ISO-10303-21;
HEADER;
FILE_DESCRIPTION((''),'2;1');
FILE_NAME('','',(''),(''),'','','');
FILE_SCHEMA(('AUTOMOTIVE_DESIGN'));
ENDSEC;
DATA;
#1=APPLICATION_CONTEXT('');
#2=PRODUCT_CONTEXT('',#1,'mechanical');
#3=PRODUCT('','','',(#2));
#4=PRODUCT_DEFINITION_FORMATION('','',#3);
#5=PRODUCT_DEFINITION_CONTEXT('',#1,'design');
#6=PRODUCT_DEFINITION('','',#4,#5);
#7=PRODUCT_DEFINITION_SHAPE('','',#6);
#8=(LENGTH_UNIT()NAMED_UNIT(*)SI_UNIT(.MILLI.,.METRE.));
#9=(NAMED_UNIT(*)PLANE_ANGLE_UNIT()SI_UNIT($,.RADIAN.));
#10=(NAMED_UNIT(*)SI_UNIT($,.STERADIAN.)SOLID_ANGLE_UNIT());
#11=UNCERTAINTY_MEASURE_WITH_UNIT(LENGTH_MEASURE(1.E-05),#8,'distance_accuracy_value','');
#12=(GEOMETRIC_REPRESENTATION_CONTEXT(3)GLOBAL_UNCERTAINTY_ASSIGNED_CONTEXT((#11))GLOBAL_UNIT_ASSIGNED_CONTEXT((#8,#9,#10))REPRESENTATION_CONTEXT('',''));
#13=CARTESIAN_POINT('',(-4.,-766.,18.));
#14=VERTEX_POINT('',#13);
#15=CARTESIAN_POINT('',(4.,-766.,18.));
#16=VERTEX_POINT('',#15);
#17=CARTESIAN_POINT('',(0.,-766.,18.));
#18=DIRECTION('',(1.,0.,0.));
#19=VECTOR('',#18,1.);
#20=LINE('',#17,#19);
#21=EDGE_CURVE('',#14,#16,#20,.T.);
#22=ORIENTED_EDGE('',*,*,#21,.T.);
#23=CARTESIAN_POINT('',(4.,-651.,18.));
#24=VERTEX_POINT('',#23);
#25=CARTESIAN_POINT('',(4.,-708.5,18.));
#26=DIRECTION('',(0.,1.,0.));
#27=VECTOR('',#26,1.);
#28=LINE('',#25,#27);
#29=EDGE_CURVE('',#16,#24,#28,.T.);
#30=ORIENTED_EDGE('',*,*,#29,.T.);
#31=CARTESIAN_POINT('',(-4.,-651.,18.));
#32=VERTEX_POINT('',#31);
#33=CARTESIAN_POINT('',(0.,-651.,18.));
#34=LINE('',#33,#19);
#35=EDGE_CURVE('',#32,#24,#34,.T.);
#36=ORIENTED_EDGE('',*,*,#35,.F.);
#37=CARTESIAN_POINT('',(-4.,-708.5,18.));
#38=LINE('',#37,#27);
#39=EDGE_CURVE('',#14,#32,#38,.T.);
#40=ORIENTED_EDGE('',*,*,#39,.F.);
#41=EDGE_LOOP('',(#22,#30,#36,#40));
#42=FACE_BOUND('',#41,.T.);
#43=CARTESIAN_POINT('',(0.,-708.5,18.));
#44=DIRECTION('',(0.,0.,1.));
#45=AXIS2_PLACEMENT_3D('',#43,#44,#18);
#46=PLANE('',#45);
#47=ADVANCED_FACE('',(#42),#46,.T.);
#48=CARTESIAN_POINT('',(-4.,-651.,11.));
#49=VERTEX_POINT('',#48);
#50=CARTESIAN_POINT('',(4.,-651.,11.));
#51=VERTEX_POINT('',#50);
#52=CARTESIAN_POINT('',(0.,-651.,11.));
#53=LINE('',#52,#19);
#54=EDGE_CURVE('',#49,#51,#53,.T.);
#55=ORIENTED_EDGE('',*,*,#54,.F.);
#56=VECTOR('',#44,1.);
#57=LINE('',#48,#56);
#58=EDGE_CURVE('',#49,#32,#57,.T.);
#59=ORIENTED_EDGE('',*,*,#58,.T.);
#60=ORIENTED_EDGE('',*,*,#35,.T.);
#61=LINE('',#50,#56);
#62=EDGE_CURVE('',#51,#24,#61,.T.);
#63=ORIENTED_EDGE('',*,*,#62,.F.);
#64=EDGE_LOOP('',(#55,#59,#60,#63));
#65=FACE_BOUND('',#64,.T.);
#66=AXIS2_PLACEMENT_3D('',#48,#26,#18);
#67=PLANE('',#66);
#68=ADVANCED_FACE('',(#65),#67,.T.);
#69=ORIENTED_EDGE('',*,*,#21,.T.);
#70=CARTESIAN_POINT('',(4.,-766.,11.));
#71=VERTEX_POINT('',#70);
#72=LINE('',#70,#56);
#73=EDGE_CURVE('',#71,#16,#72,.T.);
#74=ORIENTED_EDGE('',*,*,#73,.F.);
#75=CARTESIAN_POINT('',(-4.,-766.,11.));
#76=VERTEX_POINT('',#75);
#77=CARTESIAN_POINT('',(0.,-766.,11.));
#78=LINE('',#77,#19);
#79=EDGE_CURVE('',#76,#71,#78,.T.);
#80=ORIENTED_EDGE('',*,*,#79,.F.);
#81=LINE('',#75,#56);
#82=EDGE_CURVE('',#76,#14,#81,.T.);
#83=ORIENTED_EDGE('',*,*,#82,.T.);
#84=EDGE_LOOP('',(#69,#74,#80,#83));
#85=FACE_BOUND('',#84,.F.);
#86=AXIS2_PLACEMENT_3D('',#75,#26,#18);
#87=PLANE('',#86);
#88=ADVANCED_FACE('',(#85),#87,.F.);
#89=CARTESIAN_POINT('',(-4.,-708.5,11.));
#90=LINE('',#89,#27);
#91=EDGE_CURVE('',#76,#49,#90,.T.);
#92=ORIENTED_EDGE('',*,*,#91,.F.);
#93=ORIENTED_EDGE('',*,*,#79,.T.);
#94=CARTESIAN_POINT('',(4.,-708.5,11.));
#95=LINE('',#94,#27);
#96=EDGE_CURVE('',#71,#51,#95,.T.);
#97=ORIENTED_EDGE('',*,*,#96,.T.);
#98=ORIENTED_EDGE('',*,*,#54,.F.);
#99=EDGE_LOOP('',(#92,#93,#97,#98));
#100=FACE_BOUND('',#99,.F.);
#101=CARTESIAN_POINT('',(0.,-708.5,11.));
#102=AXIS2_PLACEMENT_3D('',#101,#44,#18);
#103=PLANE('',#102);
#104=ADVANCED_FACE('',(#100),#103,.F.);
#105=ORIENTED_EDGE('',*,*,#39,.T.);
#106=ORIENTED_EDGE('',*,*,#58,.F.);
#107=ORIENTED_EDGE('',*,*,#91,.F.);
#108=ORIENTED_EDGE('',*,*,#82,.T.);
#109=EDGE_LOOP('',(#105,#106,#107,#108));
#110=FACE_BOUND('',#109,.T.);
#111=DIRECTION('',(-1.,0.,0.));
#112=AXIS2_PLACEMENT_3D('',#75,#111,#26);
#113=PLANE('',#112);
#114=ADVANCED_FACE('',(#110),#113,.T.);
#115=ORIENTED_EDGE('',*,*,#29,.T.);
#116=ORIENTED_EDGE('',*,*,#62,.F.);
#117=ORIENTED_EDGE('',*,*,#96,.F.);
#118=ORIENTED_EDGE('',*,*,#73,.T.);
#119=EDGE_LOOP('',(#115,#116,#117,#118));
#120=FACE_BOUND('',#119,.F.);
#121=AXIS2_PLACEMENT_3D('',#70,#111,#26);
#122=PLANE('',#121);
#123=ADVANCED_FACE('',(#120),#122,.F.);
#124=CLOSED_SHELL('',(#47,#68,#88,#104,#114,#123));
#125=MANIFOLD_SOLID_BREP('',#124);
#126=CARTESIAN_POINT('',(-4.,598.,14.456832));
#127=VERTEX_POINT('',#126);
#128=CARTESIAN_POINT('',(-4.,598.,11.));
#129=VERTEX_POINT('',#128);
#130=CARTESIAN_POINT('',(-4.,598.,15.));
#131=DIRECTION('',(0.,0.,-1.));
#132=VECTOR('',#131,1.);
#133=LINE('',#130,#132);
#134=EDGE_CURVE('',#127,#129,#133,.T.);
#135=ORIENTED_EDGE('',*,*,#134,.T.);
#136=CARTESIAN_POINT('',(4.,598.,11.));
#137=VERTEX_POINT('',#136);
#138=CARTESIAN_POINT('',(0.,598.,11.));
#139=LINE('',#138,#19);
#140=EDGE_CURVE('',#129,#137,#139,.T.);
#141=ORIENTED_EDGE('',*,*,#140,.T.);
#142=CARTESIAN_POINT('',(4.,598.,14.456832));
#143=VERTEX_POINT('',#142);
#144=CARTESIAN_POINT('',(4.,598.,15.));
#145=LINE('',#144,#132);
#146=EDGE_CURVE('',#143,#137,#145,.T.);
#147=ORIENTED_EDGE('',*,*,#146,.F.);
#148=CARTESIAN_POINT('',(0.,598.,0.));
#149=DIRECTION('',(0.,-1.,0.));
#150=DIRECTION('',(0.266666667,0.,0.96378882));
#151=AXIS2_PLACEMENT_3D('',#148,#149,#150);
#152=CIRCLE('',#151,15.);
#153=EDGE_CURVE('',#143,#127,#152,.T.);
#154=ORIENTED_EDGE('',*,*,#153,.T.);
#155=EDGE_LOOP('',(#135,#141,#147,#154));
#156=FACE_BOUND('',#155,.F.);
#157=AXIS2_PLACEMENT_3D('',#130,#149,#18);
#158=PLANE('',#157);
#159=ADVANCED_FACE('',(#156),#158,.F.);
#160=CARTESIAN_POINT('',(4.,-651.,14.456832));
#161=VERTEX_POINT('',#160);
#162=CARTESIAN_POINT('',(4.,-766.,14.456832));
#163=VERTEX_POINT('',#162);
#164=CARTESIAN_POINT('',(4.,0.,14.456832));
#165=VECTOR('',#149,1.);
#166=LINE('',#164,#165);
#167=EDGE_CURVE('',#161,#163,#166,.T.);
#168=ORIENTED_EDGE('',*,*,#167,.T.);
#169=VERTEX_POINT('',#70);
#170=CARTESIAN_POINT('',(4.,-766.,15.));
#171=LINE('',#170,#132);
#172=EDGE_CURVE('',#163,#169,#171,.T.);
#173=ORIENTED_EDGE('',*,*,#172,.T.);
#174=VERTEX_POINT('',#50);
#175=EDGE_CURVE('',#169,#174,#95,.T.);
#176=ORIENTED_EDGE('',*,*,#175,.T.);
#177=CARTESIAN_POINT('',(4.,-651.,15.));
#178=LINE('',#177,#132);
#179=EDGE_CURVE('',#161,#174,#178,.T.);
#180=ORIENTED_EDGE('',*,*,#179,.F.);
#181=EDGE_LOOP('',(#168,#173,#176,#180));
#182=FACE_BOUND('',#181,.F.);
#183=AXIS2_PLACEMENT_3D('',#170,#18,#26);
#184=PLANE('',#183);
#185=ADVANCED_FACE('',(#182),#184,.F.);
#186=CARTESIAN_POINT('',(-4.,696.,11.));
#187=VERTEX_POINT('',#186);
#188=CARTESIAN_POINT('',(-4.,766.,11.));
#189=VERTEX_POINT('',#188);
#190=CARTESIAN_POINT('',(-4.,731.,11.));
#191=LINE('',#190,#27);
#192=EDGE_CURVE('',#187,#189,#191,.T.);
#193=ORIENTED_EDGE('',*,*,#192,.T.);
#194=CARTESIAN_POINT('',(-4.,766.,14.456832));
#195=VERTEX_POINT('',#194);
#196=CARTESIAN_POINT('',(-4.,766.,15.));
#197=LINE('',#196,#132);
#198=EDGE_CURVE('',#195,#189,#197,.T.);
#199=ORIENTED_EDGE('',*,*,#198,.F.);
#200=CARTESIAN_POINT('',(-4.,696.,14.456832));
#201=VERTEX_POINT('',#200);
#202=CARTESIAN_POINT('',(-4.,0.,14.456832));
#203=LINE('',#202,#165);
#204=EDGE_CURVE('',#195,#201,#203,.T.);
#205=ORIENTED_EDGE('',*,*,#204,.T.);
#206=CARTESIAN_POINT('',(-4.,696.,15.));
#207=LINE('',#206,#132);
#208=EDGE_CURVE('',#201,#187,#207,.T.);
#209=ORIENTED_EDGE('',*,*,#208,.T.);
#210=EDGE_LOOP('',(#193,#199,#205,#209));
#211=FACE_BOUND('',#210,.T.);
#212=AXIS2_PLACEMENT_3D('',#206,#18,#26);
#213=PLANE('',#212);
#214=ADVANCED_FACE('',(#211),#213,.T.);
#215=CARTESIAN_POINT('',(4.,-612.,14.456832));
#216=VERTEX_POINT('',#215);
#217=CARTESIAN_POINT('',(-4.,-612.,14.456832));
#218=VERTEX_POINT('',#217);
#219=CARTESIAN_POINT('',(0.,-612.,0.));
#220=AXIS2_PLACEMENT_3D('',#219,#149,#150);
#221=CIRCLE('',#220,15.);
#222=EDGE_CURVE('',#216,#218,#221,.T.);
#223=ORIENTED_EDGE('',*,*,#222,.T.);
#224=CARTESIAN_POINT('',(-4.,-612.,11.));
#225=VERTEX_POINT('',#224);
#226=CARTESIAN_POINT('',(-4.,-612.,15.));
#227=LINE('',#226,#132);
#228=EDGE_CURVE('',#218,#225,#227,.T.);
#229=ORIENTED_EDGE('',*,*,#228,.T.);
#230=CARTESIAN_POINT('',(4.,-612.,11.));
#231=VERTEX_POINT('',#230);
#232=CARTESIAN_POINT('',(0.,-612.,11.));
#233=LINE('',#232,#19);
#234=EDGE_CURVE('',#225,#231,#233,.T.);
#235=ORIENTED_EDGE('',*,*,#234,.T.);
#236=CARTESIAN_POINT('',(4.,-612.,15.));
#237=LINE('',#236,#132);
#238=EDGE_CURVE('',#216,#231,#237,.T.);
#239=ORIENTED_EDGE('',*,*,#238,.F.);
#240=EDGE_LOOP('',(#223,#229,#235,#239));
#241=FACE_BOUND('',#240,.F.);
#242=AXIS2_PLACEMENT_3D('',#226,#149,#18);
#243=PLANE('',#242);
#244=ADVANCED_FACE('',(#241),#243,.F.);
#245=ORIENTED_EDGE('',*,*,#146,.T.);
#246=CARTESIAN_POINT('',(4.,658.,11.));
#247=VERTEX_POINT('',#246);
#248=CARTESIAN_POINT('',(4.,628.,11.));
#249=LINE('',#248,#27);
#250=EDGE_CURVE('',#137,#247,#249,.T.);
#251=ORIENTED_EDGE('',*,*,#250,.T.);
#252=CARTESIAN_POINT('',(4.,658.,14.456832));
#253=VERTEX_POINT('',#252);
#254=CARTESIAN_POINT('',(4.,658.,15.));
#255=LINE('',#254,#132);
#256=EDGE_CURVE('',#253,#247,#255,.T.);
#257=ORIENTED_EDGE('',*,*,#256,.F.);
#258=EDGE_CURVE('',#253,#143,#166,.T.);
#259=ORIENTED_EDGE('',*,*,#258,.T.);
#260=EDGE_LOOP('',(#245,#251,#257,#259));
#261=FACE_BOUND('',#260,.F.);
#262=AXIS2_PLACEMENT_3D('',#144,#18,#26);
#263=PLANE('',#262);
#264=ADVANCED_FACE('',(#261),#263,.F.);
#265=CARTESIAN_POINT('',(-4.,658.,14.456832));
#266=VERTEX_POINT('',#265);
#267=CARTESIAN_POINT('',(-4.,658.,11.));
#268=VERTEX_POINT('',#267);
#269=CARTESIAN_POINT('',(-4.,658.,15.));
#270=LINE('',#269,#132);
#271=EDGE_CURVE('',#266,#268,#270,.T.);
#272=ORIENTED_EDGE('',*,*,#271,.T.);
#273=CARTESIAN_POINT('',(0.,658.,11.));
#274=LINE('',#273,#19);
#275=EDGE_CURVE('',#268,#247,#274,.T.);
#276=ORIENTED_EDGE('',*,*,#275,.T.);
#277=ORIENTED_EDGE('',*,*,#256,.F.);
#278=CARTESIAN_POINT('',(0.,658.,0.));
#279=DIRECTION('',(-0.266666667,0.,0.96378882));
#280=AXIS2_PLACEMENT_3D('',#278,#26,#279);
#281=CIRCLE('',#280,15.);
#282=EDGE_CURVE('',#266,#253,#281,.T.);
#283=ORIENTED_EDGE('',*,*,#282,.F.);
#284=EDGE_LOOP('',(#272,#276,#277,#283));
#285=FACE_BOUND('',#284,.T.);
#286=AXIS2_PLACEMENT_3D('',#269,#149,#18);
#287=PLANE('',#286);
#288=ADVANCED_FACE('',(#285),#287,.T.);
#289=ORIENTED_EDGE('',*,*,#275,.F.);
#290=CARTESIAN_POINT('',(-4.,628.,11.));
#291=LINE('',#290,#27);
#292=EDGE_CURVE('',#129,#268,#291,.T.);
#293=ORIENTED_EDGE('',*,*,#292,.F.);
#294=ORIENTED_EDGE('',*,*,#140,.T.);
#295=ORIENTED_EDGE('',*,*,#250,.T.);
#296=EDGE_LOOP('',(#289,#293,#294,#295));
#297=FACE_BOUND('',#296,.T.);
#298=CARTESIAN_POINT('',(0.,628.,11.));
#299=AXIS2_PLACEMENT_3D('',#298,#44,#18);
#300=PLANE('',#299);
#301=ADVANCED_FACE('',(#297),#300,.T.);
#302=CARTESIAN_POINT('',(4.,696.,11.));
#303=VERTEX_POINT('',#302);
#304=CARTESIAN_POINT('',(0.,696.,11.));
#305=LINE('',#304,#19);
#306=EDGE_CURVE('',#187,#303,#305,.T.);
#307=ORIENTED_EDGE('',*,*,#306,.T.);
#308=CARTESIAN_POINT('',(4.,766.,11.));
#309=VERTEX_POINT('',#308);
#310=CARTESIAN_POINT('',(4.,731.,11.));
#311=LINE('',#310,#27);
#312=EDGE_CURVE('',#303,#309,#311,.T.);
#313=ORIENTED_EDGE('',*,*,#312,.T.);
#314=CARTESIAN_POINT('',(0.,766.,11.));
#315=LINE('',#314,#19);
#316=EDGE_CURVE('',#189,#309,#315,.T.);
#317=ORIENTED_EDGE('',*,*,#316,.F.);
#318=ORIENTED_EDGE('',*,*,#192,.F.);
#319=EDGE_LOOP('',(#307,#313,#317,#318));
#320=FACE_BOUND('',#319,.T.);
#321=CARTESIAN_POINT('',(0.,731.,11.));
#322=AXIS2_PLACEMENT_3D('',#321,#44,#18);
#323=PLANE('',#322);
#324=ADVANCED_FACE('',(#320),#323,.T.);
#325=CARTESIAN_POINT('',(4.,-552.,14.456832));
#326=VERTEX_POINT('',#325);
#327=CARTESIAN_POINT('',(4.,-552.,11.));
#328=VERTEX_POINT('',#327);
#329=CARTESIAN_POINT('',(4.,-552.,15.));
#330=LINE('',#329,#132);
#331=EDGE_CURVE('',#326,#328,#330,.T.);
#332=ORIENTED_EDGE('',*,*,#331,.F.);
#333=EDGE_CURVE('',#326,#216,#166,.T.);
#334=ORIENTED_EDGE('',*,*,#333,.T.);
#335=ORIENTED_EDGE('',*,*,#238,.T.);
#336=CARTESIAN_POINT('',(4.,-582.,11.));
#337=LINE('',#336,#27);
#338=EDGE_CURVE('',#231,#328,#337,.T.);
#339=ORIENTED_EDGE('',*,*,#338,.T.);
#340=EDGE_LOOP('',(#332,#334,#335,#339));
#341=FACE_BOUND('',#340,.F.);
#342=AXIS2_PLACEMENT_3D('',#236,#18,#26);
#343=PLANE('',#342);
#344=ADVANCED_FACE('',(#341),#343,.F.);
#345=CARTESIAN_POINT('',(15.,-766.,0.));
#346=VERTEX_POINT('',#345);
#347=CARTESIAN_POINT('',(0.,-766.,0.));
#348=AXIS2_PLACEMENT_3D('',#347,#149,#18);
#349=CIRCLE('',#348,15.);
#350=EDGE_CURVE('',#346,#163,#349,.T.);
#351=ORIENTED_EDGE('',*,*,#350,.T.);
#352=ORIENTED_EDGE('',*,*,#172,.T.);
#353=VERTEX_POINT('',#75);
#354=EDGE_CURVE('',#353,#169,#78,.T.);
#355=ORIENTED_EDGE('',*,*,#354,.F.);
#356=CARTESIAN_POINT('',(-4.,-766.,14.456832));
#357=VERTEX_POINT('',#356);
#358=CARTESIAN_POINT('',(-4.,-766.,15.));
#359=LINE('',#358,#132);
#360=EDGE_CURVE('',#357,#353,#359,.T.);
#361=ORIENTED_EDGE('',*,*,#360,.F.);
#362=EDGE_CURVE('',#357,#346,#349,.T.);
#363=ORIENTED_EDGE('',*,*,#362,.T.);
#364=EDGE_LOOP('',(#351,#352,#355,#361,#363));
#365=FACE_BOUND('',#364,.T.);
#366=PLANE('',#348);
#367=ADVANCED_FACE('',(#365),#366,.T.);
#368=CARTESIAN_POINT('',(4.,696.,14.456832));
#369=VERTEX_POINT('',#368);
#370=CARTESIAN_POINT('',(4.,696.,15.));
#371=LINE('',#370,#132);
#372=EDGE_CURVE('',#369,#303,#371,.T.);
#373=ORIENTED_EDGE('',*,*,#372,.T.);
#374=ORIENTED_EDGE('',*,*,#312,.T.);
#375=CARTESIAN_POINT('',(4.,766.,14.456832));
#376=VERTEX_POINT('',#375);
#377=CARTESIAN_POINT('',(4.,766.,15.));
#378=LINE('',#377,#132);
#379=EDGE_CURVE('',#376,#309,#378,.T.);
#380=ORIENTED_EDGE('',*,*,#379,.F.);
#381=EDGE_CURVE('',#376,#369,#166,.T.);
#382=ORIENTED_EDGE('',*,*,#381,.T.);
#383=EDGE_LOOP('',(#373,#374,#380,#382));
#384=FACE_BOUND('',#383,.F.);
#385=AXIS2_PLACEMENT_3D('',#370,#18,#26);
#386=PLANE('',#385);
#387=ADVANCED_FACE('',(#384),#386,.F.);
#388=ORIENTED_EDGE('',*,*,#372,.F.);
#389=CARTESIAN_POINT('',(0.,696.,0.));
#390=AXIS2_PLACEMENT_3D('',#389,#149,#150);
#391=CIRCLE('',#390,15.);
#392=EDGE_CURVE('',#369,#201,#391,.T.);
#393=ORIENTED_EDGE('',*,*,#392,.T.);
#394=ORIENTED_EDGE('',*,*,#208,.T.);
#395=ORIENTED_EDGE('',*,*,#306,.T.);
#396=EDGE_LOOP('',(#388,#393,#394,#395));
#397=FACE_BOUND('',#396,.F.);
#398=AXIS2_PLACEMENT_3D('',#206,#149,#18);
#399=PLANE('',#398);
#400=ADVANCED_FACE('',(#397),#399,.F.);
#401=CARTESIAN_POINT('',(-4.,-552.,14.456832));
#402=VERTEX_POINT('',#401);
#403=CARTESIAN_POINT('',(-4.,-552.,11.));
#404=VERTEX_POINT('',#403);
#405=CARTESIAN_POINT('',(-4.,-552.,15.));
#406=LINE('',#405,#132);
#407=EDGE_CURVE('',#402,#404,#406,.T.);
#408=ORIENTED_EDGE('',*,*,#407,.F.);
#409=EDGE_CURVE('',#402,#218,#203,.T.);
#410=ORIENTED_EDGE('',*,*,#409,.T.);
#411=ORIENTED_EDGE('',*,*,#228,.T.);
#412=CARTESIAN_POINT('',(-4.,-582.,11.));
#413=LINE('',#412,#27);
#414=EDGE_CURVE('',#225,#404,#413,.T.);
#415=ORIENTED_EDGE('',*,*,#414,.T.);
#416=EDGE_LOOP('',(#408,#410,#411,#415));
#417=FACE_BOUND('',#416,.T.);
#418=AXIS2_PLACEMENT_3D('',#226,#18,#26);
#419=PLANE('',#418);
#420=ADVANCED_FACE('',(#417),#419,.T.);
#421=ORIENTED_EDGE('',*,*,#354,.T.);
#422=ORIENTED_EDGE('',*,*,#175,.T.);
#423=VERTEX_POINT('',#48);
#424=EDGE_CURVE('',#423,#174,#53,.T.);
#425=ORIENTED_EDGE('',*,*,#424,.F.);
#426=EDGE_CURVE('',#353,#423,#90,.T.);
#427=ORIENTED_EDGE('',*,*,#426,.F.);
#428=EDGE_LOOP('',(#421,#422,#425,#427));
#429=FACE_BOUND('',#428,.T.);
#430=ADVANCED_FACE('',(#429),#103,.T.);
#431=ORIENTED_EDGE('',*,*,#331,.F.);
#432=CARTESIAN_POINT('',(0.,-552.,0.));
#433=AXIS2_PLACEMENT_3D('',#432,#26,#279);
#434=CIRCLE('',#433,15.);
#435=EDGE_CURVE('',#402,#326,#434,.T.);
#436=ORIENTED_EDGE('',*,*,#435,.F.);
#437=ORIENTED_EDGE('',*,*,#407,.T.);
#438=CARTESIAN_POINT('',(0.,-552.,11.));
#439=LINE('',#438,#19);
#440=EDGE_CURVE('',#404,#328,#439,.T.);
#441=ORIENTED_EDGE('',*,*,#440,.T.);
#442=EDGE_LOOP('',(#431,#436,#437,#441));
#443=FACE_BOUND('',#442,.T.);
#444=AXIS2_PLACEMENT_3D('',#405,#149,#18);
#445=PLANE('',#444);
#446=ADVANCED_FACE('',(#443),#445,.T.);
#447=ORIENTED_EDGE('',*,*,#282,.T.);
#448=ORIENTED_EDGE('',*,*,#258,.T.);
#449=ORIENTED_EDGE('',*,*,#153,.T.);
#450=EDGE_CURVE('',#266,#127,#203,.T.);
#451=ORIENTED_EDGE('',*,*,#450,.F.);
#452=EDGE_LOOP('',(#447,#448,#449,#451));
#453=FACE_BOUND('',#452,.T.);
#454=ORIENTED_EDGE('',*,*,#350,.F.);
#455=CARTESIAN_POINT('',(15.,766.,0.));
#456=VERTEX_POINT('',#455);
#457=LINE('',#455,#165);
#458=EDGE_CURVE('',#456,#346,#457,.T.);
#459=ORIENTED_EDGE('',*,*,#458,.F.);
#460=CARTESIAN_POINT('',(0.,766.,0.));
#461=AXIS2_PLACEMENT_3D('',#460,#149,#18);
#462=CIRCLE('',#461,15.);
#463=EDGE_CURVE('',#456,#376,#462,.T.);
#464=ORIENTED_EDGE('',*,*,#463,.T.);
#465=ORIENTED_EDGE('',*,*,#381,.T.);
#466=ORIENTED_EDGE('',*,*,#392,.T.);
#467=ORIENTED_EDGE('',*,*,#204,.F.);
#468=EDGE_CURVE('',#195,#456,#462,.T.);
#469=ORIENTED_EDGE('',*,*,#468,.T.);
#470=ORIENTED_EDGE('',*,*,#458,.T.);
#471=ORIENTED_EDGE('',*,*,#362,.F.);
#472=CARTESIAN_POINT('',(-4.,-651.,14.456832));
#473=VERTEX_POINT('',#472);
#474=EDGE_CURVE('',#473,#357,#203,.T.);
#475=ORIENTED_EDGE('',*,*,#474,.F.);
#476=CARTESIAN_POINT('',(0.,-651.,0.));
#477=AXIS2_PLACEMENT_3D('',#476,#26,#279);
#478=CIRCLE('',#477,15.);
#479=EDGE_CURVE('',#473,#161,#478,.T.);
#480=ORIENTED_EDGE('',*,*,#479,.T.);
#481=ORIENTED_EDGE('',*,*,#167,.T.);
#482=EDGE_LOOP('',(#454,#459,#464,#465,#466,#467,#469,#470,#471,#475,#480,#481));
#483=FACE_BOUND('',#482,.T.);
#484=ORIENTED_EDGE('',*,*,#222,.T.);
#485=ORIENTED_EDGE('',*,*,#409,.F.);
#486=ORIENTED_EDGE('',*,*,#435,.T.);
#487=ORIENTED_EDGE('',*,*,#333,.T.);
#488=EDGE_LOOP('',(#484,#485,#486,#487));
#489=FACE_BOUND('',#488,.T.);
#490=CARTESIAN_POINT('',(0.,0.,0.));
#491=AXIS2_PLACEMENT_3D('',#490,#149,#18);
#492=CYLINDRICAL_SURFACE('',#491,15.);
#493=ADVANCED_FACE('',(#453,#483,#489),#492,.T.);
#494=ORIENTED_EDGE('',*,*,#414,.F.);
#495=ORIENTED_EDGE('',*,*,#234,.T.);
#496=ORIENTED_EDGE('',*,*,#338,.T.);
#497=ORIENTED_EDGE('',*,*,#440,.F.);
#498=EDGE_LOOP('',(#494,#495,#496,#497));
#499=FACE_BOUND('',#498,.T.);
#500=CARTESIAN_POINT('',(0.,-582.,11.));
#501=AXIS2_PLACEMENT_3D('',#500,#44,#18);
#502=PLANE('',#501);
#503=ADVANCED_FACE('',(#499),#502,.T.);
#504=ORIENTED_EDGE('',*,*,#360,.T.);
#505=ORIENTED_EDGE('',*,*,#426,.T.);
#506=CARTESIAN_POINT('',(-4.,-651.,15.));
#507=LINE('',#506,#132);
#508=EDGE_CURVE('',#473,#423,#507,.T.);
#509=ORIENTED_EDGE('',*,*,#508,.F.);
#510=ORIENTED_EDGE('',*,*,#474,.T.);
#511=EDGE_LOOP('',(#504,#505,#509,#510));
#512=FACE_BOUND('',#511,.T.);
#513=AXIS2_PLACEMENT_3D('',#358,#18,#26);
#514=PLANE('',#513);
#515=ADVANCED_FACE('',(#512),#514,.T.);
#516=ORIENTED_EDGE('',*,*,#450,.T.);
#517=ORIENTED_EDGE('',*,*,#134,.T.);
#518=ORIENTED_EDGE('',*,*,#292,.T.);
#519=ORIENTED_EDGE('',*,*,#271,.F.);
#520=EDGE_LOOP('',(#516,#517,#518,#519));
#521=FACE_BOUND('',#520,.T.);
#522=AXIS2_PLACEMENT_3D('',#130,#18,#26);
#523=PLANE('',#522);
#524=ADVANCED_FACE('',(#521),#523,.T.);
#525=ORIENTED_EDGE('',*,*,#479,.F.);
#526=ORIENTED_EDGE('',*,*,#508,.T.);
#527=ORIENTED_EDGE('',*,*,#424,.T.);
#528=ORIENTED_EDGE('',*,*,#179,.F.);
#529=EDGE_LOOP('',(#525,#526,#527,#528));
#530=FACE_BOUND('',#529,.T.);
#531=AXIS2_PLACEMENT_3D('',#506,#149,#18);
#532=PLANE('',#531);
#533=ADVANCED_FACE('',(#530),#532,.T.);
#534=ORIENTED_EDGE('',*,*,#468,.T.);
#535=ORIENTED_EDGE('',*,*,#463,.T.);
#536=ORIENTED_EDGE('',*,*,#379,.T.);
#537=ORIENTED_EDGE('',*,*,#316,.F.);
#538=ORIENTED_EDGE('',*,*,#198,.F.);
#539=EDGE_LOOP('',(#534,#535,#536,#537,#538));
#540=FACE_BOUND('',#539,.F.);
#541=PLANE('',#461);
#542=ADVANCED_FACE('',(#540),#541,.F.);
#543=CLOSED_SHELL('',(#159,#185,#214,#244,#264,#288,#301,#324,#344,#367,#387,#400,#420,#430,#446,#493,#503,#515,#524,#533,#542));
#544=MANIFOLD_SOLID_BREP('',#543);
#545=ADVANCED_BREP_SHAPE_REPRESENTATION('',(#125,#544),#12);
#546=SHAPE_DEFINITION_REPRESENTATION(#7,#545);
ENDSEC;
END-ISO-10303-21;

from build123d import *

# Parameters (mm, degrees)
F0_R     = 15
F1_DEPTH = 766
F3_W     = 8
F3_H     = 70
F3_H_2   = 60
F3_H_3   = 115
F4_DEPTH = 4
F5_DEPTH = 7


with BuildPart() as f1:
    # F0 (on Front) → F1 (new body, symmetric)
    with BuildSketch(Plane.XZ):
        Circle(F0_R)
    extrude(amount=F1_DEPTH, both=True)

    # F3 (on offset) → F4 (cut)
    with BuildSketch(Plane.XY.offset(15)):
        with Locations((0, 731)):
            Rectangle(F3_W, F3_H)
        with Locations((0, -582)):
            Rectangle(F3_W, F3_H_2)
        with Locations((0, -708.5)):
            Rectangle(F3_W, F3_H_3)
        with Locations((0, 628)):
            Rectangle(F3_W, F3_H_2)
    extrude(amount=-F4_DEPTH, mode=Mode.SUBTRACT)


with BuildPart() as f5:
    # F5 (new): a face of the model
    f5_faces = [f1.part.faces().sort_by_distance(p)[0] for p in [
        (0, -708.5, 11),
    ]]
    extrude(f5_faces, amount=F5_DEPTH)


solid = Compound([f1.part, f5.part])
